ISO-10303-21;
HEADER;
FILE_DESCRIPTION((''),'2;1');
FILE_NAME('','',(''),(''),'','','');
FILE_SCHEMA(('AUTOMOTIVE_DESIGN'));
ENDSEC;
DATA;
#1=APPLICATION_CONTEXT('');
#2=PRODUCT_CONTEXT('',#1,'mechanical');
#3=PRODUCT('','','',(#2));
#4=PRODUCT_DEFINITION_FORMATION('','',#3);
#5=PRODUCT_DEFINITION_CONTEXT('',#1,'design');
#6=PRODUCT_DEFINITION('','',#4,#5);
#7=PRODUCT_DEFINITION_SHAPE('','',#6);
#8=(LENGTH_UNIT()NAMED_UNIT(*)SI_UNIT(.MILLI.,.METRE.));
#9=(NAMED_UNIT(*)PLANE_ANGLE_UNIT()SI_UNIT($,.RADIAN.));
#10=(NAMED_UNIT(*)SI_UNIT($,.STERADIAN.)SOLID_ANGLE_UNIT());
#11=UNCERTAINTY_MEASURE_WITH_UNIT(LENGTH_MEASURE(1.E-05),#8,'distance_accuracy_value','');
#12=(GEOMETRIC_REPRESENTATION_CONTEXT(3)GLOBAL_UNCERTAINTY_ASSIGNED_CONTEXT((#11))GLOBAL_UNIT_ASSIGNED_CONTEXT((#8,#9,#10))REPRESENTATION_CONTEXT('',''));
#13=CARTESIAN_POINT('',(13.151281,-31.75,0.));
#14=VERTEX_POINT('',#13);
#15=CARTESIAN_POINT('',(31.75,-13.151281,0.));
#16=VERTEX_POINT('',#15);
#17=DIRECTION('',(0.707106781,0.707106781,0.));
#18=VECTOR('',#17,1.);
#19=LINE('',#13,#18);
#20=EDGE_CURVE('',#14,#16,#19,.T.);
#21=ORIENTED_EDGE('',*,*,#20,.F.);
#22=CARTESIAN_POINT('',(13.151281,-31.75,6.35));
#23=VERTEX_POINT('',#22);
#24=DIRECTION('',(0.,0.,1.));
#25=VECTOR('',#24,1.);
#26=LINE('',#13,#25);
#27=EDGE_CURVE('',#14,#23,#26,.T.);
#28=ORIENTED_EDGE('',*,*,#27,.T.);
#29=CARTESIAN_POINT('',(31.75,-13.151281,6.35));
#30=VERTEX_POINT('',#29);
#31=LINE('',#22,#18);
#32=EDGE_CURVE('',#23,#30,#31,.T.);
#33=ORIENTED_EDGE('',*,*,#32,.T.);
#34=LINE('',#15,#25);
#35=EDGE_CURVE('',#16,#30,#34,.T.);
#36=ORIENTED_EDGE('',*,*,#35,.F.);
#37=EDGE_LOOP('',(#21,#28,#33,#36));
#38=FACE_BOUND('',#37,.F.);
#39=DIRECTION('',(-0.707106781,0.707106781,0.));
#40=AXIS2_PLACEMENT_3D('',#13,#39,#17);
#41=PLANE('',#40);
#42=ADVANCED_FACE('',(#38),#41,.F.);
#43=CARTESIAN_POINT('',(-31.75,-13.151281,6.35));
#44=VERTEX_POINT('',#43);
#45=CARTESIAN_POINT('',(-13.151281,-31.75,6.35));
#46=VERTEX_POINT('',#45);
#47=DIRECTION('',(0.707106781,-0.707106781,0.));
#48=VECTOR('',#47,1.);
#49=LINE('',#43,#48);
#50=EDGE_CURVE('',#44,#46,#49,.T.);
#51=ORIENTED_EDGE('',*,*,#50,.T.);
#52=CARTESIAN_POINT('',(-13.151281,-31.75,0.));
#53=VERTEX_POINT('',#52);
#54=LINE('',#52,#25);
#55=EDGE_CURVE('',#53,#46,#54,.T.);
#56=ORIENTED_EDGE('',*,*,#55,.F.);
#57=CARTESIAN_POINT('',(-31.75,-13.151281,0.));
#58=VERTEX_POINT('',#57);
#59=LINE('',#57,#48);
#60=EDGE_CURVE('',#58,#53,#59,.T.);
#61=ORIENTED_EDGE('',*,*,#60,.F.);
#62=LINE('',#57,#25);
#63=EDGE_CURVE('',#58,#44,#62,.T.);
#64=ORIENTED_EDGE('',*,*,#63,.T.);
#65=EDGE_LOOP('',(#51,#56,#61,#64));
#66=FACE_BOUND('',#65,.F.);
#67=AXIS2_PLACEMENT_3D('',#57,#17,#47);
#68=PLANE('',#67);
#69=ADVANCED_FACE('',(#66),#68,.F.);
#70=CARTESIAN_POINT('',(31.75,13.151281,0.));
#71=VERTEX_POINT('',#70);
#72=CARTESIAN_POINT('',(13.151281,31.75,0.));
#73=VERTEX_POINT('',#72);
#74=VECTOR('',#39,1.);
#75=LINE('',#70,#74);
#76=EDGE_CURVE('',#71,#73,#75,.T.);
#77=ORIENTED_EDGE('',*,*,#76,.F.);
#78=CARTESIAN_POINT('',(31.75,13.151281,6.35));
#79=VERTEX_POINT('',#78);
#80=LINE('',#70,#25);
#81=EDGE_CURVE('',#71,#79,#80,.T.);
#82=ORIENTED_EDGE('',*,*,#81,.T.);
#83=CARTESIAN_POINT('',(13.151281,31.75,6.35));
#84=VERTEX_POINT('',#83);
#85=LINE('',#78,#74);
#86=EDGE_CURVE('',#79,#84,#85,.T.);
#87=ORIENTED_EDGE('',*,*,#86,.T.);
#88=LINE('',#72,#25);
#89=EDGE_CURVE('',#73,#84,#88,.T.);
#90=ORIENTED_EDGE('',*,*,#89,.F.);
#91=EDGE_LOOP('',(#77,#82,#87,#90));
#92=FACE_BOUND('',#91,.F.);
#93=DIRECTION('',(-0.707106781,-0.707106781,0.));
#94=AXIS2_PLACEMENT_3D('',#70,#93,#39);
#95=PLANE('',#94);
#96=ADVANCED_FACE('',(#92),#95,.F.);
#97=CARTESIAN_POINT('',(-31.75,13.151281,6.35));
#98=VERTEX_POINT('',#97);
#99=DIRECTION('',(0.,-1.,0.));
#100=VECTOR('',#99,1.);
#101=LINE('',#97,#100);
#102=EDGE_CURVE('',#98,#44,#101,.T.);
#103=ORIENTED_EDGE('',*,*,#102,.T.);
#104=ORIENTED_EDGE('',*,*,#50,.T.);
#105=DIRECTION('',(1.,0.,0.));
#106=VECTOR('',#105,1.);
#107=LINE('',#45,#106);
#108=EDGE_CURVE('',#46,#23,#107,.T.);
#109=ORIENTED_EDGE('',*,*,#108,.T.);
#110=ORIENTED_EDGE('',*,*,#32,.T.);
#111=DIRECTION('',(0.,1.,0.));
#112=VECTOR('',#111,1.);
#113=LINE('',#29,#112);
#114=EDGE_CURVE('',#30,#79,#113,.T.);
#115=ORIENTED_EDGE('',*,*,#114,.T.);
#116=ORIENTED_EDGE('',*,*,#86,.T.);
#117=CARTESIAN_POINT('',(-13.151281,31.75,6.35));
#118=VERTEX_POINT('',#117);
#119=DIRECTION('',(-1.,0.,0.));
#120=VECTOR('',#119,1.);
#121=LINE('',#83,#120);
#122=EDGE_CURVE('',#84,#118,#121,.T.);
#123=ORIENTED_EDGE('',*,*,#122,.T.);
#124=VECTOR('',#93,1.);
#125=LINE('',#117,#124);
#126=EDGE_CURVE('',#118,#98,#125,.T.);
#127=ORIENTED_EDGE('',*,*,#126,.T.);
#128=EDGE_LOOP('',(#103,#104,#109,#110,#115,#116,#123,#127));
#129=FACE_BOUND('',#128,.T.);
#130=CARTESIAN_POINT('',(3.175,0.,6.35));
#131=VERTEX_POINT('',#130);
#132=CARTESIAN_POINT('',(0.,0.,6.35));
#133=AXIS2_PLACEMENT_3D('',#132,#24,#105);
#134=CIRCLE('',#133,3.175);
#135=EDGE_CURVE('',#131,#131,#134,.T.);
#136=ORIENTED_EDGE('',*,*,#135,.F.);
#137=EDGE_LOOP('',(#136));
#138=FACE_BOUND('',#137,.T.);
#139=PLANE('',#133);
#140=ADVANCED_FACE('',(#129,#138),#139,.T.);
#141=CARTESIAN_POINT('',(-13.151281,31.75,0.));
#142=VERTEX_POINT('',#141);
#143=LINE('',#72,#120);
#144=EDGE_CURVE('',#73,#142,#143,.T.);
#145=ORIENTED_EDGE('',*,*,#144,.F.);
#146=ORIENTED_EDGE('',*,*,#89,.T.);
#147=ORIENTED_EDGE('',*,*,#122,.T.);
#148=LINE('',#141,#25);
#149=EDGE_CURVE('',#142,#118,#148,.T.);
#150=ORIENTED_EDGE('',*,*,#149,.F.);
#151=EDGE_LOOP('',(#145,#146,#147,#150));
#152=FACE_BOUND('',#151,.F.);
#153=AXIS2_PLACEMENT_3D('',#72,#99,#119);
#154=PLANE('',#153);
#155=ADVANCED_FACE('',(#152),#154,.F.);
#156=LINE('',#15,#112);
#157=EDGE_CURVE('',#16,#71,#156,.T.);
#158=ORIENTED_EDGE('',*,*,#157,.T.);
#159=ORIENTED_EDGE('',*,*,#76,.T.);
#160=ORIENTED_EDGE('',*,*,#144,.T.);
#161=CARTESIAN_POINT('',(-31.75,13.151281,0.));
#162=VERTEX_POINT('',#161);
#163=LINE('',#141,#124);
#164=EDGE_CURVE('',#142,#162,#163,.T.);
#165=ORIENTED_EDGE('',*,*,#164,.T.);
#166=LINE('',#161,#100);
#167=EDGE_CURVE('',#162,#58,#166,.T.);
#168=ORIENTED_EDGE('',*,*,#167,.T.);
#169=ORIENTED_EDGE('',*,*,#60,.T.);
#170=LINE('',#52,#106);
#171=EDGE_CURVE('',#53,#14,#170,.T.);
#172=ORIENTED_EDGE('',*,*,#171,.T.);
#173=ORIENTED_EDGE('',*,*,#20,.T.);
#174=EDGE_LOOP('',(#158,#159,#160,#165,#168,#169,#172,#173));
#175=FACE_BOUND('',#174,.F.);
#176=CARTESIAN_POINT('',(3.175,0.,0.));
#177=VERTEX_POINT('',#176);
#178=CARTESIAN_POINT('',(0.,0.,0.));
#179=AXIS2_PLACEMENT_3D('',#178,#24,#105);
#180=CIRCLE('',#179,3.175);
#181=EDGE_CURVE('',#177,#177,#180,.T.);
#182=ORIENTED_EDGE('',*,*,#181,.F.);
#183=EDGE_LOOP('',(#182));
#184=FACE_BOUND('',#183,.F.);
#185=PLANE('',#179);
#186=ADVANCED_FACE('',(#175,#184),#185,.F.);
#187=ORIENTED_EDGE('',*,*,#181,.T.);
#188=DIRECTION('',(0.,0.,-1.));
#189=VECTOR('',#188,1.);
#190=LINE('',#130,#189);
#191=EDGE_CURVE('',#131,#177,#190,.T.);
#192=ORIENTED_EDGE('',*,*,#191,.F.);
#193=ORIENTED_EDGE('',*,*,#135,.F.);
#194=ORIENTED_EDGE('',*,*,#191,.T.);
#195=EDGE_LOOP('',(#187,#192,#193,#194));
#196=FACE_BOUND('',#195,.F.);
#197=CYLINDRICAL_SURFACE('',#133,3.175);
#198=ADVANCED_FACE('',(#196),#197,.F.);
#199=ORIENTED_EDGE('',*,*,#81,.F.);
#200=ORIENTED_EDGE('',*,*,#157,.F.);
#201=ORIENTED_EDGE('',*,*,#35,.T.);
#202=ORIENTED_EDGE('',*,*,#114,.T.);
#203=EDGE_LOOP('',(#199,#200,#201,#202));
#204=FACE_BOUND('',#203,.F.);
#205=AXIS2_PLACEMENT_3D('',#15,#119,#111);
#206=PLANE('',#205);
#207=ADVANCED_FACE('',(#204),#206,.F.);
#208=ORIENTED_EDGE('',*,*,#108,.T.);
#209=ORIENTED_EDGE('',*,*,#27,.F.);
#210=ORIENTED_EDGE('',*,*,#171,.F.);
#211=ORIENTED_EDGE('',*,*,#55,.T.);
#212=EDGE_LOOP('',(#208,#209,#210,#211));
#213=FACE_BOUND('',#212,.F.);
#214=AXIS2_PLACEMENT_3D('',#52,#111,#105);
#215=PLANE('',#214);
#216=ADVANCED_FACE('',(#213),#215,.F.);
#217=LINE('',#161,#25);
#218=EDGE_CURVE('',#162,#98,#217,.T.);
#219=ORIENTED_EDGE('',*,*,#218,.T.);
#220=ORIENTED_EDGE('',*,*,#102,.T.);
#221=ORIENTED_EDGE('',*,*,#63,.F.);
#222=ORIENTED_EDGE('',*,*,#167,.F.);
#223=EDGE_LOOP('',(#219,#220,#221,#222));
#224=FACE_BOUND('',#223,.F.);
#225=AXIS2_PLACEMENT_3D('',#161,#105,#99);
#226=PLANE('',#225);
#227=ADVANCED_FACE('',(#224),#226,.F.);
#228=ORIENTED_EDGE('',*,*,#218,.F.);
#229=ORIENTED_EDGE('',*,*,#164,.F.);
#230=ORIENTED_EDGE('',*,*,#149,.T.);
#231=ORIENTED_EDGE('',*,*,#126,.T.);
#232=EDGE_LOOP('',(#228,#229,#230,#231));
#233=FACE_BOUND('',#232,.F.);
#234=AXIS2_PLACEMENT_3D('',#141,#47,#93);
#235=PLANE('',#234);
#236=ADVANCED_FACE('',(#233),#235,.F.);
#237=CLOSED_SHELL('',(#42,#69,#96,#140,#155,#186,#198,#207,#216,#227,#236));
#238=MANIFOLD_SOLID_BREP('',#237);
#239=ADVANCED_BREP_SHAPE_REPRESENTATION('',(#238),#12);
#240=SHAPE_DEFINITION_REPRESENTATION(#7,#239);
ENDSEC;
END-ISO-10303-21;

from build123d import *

# Parameters (mm, degrees)
F1_DEPTH = 6.35
F2_R     = 3.175
F3_DEPTH = 25.4


with BuildPart() as f1:
    # F0 (on Top) → F1 (new body)
    with BuildSketch(Plane.XY):
        Polygon((-31.75, 13.1512806053), (-31.75, -13.1512806053), (-13.1512806053, -31.75), (13.1512806053, -31.75), (31.75, -13.1512806053), (31.75, 13.1512806053), (13.1512806053, 31.75), (-13.1512806053, 31.75), align=None)
    extrude(amount=F1_DEPTH)

    # F2 (on face) → F3 (cut)
    with BuildSketch(Plane.XY.offset(6.35)):
        Circle(F2_R)
    extrude(amount=-F3_DEPTH, mode=Mode.SUBTRACT)


solid = f1.part
